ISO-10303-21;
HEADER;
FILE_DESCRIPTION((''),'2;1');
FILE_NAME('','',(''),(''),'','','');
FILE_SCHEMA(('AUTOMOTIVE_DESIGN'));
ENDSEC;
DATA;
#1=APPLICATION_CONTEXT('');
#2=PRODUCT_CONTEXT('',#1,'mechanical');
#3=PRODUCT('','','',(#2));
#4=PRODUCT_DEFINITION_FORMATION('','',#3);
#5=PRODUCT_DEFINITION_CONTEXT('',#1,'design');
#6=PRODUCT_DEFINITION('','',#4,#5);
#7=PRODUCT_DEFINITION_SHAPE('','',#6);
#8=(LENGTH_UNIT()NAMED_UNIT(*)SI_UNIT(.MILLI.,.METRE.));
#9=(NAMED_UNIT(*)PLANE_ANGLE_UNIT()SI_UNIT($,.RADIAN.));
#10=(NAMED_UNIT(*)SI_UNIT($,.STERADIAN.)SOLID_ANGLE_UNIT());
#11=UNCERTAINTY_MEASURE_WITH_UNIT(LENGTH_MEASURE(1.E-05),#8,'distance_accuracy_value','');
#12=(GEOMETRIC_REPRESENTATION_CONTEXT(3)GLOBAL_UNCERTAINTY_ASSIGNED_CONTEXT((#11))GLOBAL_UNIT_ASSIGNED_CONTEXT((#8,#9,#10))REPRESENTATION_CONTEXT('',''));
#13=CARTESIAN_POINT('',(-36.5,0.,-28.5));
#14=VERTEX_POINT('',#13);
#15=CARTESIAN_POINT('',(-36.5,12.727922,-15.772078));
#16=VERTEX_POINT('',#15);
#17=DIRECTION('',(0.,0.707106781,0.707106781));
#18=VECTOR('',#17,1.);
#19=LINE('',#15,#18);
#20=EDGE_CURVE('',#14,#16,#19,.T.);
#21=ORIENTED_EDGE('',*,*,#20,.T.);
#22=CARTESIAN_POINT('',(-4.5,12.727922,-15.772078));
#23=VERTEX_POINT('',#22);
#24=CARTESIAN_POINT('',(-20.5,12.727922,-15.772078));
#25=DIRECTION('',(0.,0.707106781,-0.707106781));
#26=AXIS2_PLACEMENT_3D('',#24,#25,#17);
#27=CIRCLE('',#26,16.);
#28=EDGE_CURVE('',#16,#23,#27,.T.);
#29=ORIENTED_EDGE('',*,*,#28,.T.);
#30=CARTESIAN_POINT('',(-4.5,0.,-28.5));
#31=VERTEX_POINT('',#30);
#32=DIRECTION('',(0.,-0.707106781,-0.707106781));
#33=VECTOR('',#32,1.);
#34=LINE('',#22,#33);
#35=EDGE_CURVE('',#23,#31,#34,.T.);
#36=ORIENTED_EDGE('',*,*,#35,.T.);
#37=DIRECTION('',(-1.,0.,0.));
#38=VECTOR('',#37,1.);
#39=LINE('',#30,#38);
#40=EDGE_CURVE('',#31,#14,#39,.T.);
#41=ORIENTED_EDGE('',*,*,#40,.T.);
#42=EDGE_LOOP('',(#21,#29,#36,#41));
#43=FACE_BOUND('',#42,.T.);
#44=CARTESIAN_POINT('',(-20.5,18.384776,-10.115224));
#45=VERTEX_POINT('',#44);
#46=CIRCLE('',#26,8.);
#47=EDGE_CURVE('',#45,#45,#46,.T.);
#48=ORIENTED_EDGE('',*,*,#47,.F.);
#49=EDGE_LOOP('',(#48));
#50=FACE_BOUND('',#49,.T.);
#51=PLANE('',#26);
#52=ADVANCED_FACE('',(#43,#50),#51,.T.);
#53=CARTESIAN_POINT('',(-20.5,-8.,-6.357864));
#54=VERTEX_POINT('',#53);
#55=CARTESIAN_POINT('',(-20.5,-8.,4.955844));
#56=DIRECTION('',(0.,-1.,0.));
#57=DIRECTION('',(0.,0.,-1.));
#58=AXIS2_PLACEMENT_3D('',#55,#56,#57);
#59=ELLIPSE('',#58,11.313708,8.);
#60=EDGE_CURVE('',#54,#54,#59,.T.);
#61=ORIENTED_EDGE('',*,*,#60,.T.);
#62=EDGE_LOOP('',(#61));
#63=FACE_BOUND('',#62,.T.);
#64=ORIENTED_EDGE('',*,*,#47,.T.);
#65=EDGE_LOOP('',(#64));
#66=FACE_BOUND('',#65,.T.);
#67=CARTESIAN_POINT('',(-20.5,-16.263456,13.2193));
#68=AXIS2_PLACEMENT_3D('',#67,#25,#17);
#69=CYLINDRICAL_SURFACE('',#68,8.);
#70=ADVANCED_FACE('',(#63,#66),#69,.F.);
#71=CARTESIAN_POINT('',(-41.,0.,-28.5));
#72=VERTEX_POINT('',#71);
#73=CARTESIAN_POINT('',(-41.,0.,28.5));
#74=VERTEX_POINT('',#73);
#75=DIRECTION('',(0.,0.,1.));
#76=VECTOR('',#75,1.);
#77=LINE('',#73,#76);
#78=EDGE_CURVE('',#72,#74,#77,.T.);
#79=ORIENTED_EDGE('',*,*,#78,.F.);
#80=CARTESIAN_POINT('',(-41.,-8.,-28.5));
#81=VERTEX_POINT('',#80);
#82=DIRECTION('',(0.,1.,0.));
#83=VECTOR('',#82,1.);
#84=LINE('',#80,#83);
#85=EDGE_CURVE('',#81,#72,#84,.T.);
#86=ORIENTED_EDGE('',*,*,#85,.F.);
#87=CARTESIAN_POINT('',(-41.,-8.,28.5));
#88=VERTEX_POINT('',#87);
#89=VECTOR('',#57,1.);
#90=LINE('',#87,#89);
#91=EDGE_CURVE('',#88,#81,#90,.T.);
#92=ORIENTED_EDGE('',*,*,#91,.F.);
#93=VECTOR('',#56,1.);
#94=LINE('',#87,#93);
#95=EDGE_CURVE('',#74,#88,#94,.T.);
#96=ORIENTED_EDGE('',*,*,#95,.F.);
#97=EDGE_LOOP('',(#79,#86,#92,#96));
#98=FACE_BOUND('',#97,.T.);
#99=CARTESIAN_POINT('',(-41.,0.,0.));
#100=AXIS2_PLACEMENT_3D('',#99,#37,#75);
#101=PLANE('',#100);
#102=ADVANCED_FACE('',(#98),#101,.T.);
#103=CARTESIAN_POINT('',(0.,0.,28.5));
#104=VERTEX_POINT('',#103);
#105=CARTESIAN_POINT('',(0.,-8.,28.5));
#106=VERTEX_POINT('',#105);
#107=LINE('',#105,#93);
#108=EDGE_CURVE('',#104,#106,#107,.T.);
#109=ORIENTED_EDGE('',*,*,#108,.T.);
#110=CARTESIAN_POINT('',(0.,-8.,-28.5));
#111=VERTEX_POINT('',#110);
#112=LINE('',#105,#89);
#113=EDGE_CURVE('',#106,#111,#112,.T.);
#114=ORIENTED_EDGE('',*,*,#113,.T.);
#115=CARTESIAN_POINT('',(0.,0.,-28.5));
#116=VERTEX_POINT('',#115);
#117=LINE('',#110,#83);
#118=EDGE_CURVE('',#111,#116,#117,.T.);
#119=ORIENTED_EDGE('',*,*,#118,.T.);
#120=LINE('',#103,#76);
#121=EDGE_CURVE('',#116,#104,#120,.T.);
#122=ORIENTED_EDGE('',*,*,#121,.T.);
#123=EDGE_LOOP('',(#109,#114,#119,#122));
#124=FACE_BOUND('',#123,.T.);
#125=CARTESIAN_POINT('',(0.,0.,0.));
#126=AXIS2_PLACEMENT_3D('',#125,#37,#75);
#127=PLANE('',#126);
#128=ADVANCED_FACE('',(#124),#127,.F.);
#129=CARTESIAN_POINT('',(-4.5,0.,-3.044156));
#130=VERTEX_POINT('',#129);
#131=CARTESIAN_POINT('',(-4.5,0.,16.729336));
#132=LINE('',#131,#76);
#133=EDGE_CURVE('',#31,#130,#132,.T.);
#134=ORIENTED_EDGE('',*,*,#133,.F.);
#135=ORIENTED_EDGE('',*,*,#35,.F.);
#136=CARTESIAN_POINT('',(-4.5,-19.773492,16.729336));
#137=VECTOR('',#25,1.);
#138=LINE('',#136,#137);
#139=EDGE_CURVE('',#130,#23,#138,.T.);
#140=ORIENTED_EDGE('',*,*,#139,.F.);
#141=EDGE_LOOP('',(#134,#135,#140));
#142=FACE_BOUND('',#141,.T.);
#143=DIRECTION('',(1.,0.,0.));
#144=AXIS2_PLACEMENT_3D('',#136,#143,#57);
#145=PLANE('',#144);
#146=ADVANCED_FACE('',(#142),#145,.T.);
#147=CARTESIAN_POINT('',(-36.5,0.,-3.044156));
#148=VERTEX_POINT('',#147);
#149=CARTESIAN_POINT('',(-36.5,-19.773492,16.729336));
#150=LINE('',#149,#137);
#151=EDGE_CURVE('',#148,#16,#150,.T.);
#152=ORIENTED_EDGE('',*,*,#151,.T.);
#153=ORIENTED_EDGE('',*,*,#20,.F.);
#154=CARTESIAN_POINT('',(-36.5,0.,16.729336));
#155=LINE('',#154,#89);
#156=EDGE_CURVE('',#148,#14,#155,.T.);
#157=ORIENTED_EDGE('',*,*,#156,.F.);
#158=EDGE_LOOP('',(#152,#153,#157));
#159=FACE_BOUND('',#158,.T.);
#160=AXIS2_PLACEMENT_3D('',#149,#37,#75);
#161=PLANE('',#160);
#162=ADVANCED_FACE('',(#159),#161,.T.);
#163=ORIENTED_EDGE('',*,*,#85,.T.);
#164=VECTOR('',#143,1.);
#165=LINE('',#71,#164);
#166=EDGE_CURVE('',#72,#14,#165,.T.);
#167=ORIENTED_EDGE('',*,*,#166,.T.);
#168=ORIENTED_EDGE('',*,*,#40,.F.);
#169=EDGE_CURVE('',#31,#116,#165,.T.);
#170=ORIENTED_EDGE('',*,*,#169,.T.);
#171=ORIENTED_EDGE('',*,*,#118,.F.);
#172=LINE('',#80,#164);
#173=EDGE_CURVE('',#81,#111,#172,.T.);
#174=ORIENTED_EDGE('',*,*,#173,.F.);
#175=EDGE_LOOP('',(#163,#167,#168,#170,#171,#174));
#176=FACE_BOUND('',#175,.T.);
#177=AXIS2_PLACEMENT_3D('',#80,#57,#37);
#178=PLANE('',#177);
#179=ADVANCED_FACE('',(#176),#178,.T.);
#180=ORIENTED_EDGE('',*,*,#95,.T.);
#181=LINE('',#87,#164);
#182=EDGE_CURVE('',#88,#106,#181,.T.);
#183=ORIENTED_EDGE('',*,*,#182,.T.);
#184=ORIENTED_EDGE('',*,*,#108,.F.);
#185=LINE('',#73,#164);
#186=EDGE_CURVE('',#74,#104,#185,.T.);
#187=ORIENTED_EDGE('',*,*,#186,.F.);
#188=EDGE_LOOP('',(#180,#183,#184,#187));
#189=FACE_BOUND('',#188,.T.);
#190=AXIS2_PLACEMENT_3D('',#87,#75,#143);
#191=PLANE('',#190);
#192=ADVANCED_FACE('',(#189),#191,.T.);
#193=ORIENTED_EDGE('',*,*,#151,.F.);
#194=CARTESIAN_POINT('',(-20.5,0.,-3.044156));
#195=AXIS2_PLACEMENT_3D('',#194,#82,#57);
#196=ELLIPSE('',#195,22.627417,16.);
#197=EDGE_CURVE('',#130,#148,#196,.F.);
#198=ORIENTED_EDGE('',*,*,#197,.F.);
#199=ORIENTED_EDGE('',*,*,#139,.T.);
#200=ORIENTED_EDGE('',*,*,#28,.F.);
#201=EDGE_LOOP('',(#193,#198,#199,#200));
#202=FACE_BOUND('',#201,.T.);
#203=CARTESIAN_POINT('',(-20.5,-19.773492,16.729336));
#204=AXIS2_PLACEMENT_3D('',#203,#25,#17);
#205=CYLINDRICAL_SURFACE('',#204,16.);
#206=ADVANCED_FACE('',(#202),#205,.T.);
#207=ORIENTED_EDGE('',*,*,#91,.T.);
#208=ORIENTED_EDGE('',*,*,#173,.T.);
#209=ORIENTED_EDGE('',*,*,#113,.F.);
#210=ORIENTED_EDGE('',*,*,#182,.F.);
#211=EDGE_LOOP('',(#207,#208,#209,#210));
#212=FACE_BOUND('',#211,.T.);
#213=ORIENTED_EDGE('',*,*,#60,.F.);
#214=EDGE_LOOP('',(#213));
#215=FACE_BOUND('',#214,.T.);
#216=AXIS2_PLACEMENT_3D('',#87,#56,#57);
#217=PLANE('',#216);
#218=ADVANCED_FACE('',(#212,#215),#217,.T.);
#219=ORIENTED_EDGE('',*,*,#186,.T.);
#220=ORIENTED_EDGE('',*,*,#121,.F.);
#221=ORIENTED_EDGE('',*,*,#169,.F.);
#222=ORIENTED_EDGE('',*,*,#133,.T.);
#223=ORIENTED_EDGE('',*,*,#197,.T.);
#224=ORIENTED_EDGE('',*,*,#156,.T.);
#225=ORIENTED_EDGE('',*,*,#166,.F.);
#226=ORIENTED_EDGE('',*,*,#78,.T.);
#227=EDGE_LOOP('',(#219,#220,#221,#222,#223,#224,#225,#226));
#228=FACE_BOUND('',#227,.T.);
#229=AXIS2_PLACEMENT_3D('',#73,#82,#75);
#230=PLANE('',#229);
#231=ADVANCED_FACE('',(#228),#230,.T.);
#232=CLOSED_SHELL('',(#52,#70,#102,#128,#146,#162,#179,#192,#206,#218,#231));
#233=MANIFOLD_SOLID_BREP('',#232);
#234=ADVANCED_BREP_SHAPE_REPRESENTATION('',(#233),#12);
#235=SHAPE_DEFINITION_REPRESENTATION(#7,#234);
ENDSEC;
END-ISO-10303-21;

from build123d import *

# Parameters (mm, degrees)
SKETCH_1_W          = 57
SKETCH_1_H          = 8
EXTRUDE_1_DEPTH     = 41
EXTRUDE_2_REACH     = 65.274
SKETCH_3_R          = 8
CUT_EXTRUDE_1_DEPTH = 41


with BuildPart() as part:
    # 草图1 → 凸台-拉伸1 (new body)
    with BuildSketch(Plane(origin=(0, 0, 0), x_dir=(0, 0, -1), z_dir=(1, 0, 0))):
        with Locations((0, -4)):
            Rectangle(SKETCH_1_W, SKETCH_1_H)
    extrude(amount=-EXTRUDE_1_DEPTH)

    # 草图2 → 凸台-拉伸2 (add, up to next)
    with BuildSketch(Plane(origin=(0, 14.25, -14.25), x_dir=(1, 0, 0), z_dir=(0, 0.7071067811865488, -0.7071067811865464)), mode=Mode.PRIVATE) as extrude_2_sk1:
        with BuildLine():
            Line((-36.5, 2.152543264), (-36.5, 20.152543264))
            Line((-36.5, 20.152543264), (-4.5, 20.152543264))
            Line((-4.5, 20.152543264), (-4.5, 2.152543264))
            ThreePointArc((-4.5, 2.152543264), (-20.5, -13.847456736), (-36.5, 2.152543264))
        make_face()
    extrude_2_tool1 = extrude(extrude_2_sk1.sketch, amount=-EXTRUDE_2_REACH, mode=Mode.PRIVATE) - part.part
    add(extrude_2_tool1.solids().sort_by_distance((-20.5, 10.954355, -17.545645))[0])

    # 草图3 → 切除-拉伸1 (cut)
    with BuildSketch(Plane(origin=(0, 14.25, -14.25), x_dir=(1, 0, 0), z_dir=(0, 0.7071067811865488, -0.7071067811865464))):
        with Locations(Location((-20.5, 2.152543264, 0), (0, 0, 270))):
            Circle(SKETCH_3_R)
    extrude(amount=-CUT_EXTRUDE_1_DEPTH, mode=Mode.SUBTRACT)


solid = part.part
